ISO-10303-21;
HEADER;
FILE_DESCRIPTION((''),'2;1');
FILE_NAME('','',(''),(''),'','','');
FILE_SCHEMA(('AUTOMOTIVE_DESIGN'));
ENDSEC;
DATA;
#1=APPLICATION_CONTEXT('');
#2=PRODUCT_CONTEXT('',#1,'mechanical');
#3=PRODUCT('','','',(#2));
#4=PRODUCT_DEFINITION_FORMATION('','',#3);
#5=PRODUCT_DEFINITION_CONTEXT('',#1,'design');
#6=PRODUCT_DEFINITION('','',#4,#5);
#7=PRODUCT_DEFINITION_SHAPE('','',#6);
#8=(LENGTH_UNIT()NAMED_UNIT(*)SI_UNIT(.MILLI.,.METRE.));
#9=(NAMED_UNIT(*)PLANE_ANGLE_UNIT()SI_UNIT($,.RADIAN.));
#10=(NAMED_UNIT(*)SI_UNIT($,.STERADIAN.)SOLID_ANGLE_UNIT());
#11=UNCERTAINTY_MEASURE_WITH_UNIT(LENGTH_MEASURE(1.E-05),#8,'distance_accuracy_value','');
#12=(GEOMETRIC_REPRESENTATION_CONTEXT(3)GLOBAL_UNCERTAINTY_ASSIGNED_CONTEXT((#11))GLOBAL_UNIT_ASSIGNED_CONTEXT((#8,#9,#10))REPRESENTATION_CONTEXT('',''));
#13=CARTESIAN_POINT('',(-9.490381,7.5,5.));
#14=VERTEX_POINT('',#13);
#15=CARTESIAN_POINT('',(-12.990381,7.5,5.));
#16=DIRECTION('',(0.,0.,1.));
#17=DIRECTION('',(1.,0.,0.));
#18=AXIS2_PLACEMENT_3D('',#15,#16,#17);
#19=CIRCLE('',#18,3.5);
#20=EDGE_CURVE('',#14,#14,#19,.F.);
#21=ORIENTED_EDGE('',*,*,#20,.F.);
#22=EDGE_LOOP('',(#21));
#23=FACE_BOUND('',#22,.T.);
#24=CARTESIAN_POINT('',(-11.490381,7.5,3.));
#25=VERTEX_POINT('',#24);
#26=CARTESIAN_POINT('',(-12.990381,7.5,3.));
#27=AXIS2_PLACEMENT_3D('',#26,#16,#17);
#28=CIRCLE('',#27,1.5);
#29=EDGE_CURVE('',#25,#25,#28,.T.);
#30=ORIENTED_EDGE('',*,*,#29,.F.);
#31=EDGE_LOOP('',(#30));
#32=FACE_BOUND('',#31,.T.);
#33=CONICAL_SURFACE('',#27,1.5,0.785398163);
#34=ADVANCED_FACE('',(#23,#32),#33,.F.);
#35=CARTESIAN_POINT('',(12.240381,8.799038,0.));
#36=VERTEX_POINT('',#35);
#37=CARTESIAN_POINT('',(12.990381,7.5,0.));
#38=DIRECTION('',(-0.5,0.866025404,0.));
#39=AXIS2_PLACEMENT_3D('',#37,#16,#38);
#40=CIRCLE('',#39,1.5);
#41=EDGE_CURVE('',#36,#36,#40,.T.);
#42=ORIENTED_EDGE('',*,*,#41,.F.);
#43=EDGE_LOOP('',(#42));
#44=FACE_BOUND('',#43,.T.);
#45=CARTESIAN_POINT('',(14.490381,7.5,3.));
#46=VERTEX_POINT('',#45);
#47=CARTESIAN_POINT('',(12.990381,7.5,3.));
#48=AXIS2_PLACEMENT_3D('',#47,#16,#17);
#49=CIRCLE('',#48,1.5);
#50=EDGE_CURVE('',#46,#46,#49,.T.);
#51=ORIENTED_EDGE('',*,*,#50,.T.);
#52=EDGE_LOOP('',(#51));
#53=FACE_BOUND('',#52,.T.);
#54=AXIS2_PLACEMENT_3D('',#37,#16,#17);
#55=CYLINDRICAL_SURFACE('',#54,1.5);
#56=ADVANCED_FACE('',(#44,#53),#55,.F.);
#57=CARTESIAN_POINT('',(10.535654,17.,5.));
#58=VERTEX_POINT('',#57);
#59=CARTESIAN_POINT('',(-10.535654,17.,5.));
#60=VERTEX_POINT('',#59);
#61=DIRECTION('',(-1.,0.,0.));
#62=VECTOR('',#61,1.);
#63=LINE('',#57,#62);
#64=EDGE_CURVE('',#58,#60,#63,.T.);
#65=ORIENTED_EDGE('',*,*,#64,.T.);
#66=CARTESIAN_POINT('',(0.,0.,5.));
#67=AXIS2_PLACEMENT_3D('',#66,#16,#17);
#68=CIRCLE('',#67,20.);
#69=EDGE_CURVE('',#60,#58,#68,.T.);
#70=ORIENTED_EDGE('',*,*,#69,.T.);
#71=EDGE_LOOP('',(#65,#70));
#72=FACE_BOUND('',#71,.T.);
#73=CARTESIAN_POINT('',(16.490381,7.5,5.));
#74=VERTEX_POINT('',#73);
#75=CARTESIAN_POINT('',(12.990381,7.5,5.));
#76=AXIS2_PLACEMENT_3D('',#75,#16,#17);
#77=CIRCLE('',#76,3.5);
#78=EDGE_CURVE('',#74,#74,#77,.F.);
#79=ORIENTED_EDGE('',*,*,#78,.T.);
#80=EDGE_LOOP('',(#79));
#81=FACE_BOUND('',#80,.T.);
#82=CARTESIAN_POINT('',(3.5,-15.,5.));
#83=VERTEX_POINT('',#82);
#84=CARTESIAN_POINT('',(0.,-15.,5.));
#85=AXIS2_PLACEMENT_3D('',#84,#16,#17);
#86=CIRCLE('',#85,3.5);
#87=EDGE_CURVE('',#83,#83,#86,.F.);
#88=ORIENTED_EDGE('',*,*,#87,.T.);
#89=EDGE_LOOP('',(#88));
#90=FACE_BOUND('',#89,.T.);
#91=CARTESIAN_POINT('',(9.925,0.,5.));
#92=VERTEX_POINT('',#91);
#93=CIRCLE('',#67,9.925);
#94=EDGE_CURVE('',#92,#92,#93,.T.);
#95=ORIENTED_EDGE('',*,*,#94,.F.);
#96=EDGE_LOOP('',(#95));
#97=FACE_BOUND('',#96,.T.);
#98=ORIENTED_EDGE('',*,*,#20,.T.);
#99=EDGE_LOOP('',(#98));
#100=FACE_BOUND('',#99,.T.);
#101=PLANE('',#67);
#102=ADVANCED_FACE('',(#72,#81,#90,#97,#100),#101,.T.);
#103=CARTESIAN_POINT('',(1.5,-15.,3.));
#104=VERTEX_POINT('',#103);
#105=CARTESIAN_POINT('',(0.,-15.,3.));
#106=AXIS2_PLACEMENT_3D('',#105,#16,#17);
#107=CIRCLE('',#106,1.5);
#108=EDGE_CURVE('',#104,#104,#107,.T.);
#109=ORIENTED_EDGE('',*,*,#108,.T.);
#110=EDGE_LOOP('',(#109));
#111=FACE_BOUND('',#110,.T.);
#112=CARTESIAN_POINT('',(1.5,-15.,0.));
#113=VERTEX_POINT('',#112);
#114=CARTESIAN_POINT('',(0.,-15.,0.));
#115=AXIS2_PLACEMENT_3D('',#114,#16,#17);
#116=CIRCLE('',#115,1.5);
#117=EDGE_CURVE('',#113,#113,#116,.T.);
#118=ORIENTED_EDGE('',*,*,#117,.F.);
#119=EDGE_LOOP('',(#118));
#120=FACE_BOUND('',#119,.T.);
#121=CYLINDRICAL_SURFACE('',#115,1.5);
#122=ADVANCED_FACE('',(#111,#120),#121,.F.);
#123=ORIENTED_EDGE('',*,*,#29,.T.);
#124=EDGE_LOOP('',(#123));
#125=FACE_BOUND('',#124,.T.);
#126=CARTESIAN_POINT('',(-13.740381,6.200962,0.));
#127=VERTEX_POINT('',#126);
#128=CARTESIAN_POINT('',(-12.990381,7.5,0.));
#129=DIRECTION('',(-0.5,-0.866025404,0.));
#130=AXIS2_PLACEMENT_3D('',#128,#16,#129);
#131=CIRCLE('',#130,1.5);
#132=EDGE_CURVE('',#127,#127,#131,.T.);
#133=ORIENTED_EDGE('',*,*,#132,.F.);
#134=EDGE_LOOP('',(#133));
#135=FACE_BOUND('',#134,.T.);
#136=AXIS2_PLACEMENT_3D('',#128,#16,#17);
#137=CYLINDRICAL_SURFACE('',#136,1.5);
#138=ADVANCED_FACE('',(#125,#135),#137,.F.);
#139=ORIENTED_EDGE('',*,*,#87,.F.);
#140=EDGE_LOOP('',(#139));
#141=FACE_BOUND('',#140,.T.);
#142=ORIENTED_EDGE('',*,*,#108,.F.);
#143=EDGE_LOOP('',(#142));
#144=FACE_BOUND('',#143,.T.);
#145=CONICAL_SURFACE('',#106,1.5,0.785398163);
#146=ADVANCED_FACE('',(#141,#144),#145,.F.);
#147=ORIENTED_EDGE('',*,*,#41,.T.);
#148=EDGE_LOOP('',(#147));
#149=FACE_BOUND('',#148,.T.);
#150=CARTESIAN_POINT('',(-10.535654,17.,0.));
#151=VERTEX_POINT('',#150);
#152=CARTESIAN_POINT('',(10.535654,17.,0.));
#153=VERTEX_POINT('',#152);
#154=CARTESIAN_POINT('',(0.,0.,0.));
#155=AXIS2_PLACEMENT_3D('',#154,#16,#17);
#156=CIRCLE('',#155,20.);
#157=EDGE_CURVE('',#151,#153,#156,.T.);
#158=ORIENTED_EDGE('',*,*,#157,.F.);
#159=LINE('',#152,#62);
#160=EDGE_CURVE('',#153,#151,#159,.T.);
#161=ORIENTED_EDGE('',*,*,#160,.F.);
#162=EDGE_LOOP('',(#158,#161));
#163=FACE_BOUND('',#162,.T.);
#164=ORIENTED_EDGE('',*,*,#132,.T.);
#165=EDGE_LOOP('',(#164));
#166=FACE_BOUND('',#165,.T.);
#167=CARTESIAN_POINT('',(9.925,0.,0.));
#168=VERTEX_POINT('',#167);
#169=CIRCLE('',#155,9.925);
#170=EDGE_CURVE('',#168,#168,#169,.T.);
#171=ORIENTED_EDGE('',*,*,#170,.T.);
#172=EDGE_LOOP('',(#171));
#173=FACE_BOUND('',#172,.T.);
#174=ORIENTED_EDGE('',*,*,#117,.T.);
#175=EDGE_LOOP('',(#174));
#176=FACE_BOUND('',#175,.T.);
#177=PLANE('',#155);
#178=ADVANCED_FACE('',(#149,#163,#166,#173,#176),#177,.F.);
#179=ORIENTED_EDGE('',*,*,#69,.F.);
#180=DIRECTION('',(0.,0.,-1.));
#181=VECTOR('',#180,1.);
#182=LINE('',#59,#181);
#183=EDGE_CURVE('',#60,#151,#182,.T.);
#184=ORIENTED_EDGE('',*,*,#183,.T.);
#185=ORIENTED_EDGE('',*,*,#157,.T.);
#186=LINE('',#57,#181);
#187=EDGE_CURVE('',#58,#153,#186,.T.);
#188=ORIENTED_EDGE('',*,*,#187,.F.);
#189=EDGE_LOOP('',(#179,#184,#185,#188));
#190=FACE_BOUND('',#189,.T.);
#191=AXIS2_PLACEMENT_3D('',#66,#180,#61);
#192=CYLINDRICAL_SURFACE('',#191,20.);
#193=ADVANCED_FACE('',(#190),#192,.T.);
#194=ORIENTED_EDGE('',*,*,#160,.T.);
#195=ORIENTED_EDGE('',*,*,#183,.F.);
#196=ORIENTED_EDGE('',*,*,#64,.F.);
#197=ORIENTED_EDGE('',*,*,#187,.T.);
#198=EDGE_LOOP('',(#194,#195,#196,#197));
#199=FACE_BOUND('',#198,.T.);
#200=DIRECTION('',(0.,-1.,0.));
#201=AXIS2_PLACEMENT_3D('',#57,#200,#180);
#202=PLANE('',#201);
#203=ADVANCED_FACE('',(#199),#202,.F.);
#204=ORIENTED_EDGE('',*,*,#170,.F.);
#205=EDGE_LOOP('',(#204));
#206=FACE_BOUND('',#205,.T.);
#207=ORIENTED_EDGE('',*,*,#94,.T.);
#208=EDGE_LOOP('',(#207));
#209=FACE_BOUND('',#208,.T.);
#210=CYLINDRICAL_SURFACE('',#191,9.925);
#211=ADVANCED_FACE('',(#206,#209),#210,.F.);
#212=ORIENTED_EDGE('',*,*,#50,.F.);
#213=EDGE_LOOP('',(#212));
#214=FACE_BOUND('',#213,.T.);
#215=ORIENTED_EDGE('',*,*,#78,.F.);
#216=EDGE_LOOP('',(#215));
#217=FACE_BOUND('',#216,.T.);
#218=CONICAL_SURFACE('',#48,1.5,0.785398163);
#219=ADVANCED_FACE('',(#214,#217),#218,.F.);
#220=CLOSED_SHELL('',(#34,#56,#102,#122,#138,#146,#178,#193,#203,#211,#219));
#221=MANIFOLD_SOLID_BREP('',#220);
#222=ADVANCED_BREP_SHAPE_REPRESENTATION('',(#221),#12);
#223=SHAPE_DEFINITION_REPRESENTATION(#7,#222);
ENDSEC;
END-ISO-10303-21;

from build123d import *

# Parameters (mm, degrees)
SKETCH1_R           = 9.925
BOSS_EXTRUDE1_DEPTH = 5
SKETCH2_R           = 1.5
CUT_EXTRUDE1_DEPTH  = 29.722813233
CIRPATTERN1_COUNT   = 3
CHAMFER1_SIZE       = 2


with BuildPart() as part:
    # Sketch1 → Boss-Extrude1 (new body)
    with BuildSketch(Plane.XY):
        with BuildLine():
            Line((10.535653753, 17), (-10.535653753, 17))
            ThreePointArc((-10.535653753, 17), (0, -20), (10.535653753, 17))
        make_face()
        Circle(SKETCH1_R, mode=Mode.SUBTRACT)
    extrude(amount=BOSS_EXTRUDE1_DEPTH)

    # Sketch2 → Cut-Extrude1 (cut, through all)
    with BuildSketch(Plane.XY.offset(5)):
        with Locations((0, -15)):
            Circle(SKETCH2_R)
    cut_extrude1 = extrude(amount=-CUT_EXTRUDE1_DEPTH, mode=Mode.SUBTRACT)

    # CirPattern1: Cut-Extrude1 ×3 about axis
    cirpattern1_axis = Axis((0, 0, 0), (0, 0, 1))
    for i in range(1, CIRPATTERN1_COUNT):
        add(cut_extrude1.rotate(cirpattern1_axis, i * 360 / CIRPATTERN1_COUNT), mode=Mode.SUBTRACT)

    # Chamfer1
    chamfer1_edges = [part.edges().sort_by_distance(p)[0] for p in [
        (-1.5, -15, 5),
        (13.740381057, 6.200961894, 5),
        (-12.240381057, 8.799038106, 5),
    ]]
    chamfer(chamfer1_edges, length=CHAMFER1_SIZE)


solid = part.part
